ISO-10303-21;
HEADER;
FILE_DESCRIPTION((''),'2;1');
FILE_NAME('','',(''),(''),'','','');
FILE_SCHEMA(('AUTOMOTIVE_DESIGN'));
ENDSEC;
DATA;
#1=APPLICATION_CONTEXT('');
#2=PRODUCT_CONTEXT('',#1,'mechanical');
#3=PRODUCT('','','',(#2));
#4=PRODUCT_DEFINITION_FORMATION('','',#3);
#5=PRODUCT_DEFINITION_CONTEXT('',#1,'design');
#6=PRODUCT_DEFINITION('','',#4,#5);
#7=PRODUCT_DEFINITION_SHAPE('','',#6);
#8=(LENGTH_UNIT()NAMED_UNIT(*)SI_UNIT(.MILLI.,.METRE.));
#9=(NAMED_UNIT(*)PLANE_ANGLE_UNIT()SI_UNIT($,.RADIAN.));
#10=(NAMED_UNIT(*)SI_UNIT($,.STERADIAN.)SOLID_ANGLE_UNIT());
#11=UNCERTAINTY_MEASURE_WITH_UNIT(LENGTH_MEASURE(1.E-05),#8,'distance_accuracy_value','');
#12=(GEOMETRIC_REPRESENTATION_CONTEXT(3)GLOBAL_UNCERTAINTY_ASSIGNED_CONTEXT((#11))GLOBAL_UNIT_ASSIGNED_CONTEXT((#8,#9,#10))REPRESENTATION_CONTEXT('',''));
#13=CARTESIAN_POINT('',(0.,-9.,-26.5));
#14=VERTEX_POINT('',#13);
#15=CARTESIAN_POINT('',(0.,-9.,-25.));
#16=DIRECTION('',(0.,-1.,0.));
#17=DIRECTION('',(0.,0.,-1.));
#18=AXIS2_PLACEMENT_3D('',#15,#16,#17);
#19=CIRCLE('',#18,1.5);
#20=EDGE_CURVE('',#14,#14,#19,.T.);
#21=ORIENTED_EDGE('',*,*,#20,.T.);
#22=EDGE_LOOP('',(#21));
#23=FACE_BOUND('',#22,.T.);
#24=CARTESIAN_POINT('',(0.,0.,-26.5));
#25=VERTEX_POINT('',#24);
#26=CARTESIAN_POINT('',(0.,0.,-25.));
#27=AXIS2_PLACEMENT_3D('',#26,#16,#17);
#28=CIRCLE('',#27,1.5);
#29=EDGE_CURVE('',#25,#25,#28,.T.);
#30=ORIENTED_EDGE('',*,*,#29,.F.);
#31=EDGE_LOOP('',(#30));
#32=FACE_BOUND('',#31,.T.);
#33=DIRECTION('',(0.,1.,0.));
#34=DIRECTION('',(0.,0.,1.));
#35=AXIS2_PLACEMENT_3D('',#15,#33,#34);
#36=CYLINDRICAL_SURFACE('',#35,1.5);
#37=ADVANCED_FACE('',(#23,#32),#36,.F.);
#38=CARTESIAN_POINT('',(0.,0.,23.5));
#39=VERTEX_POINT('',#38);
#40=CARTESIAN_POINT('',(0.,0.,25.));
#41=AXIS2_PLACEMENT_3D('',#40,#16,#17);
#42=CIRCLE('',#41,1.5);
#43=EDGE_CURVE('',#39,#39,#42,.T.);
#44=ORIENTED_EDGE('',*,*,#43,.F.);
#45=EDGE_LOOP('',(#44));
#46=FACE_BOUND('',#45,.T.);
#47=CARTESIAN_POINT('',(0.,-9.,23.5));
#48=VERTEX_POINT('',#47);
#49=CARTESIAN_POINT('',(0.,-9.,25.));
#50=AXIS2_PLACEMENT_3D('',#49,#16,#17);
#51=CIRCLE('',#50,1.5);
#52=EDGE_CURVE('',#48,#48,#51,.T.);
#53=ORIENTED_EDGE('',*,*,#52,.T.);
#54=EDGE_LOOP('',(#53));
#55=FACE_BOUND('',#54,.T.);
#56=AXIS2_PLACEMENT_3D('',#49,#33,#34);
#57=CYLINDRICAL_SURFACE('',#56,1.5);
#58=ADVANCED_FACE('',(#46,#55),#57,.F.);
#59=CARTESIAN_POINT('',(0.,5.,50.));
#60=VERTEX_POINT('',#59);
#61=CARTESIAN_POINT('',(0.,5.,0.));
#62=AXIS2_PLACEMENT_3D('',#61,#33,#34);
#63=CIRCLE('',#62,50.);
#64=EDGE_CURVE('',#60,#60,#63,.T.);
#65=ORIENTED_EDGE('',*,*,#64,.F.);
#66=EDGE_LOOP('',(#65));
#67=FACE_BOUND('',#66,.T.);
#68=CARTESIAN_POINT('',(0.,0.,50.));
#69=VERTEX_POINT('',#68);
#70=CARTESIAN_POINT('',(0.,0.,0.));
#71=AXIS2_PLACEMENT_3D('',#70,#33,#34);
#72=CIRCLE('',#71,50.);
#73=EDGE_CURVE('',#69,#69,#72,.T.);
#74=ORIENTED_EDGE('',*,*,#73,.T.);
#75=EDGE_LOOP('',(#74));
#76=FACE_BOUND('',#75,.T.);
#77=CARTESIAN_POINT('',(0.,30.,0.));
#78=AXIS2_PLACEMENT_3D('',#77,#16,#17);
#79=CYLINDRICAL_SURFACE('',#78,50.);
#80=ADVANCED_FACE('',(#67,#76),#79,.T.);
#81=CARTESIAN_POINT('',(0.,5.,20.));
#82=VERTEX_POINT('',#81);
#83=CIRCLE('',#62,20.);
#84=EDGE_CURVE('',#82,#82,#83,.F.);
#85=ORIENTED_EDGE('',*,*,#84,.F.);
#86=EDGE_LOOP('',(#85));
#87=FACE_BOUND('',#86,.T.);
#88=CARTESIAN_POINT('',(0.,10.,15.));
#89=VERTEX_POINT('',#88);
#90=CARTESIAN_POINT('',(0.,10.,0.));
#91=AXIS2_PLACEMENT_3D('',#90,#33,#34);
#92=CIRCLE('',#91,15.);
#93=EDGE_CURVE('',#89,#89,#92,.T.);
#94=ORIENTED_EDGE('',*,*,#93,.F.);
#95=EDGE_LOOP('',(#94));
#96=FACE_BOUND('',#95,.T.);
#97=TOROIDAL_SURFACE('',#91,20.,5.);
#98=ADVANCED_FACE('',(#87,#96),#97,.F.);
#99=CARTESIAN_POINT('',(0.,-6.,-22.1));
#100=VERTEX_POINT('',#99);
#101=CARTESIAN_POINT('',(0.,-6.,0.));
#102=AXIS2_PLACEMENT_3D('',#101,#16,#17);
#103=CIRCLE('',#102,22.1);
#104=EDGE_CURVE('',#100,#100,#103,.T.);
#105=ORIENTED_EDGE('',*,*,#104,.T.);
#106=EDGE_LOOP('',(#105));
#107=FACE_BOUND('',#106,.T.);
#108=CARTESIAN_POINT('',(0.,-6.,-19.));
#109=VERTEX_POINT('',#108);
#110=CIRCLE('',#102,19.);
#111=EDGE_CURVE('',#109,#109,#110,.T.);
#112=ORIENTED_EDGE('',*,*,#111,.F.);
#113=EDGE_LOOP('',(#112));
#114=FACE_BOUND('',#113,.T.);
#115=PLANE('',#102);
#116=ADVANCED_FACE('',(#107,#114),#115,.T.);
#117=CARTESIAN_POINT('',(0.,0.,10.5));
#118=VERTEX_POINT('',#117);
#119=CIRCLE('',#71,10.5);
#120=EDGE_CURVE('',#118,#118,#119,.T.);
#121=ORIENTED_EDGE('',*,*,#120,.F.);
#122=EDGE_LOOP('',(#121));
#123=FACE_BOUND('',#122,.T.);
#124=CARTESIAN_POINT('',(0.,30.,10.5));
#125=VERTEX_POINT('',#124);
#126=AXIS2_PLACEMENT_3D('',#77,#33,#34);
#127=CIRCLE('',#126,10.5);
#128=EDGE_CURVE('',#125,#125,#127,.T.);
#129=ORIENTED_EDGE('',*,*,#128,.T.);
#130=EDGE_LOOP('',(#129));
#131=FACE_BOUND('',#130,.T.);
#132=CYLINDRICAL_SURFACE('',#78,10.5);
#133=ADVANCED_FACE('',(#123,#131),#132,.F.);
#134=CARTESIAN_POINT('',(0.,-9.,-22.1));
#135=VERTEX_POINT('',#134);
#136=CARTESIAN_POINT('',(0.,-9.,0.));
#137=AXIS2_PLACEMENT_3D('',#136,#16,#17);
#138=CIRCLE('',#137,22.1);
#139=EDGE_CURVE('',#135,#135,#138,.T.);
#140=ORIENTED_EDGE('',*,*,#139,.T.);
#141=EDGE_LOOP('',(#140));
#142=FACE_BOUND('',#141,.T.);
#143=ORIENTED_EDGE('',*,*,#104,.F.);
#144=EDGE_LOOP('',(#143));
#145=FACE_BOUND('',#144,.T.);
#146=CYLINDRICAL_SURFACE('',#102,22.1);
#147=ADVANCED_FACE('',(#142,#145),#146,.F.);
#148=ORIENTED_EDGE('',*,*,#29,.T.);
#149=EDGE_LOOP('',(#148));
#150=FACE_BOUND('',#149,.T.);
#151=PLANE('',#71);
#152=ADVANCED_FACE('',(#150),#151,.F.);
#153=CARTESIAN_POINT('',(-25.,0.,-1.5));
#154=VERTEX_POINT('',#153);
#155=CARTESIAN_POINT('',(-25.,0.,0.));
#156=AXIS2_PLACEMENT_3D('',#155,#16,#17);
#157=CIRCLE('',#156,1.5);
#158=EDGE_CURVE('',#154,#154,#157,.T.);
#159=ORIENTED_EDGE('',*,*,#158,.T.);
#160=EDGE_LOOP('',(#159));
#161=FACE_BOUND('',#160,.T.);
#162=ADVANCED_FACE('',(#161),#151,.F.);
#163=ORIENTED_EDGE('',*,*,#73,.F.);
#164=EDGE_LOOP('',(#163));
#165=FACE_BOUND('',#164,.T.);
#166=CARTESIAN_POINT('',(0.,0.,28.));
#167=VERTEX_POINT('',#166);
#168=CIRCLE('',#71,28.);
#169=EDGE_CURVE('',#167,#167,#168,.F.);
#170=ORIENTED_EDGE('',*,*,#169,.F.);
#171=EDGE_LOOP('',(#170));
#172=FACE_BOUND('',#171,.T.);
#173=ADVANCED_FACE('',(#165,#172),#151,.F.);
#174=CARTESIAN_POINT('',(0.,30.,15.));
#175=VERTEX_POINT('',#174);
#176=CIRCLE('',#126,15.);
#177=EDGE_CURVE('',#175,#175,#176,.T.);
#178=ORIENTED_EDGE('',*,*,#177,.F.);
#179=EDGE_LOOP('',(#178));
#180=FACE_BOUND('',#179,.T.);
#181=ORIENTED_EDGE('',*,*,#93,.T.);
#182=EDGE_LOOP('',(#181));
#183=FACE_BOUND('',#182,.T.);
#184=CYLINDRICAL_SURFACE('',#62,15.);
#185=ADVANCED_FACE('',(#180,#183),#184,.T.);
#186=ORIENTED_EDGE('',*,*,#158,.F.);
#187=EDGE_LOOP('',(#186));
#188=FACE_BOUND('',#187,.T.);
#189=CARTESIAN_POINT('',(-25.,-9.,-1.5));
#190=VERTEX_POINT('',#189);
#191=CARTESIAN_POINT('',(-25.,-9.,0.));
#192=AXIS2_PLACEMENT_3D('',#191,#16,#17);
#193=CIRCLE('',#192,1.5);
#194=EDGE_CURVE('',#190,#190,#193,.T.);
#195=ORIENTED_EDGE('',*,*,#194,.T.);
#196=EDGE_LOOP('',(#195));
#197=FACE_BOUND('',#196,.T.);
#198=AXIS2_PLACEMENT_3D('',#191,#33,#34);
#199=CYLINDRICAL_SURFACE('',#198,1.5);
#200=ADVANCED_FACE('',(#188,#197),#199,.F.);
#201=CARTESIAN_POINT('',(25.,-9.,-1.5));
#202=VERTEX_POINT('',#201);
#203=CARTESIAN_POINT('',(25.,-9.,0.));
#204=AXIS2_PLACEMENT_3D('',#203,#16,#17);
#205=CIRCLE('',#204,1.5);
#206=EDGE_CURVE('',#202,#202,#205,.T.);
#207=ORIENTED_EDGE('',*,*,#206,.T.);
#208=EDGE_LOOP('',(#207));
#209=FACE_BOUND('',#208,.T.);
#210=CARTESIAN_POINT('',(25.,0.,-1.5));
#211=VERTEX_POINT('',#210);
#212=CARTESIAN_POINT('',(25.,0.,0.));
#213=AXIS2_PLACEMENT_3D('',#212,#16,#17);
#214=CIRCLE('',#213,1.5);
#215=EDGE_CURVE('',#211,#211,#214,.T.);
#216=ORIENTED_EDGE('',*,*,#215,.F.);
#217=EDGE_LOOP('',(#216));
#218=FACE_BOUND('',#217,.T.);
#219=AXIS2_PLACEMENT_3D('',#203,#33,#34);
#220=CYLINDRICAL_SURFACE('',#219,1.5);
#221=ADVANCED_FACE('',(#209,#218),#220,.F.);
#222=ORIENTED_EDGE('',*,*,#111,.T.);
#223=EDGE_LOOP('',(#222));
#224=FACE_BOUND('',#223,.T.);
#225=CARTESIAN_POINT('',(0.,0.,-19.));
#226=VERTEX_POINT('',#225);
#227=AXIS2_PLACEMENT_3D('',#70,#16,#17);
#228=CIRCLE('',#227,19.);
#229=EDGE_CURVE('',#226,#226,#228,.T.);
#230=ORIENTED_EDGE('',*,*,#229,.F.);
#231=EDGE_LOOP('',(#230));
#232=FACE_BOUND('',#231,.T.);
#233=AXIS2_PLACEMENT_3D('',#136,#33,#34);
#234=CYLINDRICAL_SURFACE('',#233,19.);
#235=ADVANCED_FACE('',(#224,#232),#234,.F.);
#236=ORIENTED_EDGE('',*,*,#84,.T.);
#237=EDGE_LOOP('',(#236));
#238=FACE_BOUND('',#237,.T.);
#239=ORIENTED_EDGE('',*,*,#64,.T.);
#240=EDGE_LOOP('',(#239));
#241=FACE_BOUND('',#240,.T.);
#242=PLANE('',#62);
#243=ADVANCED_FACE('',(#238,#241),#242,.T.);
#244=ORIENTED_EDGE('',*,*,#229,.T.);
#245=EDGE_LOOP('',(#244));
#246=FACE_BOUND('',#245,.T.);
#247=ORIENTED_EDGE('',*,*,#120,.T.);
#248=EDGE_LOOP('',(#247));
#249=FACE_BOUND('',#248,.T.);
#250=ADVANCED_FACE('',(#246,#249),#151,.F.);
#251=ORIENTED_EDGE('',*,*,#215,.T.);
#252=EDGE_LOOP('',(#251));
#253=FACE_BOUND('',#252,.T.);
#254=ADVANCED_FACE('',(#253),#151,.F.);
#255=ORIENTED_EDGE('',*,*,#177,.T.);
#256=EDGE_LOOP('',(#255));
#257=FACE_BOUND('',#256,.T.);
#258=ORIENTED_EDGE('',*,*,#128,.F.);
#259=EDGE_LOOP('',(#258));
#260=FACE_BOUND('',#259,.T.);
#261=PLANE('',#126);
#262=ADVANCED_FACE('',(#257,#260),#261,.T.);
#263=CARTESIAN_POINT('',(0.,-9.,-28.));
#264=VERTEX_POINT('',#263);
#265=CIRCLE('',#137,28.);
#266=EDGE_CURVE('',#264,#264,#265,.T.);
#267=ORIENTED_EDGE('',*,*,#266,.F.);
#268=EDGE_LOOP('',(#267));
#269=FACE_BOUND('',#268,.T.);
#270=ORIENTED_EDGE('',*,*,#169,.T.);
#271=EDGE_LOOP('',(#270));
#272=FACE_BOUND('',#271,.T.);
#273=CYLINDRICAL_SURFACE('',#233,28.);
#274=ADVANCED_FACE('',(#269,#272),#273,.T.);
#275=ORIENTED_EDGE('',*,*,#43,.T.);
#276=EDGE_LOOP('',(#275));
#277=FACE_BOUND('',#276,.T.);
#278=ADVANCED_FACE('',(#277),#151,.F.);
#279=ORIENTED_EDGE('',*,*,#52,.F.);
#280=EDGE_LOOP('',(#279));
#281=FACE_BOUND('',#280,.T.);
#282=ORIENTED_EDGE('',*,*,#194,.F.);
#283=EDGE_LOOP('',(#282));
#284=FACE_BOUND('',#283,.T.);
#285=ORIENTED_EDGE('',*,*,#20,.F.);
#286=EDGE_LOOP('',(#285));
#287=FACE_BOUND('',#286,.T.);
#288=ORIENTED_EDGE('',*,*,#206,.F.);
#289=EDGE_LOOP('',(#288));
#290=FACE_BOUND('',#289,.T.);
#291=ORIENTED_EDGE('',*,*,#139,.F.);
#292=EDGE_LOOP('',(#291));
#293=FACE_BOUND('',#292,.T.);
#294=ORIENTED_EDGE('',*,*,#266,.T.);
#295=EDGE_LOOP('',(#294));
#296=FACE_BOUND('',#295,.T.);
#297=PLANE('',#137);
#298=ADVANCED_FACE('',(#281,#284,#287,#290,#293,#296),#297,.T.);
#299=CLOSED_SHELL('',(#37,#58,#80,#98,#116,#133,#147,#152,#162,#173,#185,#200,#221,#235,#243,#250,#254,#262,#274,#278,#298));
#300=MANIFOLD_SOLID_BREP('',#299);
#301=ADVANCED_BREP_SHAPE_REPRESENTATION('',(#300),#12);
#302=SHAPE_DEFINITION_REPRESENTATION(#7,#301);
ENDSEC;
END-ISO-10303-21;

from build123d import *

# Parameters (mm, degrees)
SKETCH_1_R          = 50
SKETCH_1_R_2        = 10.5
EXTRUDE_1_DEPTH     = 30
SKETCH_2_R          = 54.511418905
SKETCH_2_R_2        = 15
CUT_EXTRUDE_2_DEPTH = 25
SKETCH_3_R          = 28
SKETCH_3_R_2        = 19
SKETCH_3_R_3        = 1.5
EXTRUDE_3_DEPTH     = 9
SKETCH_4_R          = 22.1
CUT_EXTRUDE_4_DEPTH = 3
FILLET_3_R          = 5


with BuildPart() as part:
    # Эскиз1 → Вытянуть1 (new body)
    with BuildSketch(Plane(origin=(0, 0, 0), x_dir=(1, 0, 0), z_dir=(0, 1, 0))):
        with Locations(Location((0, 0, 0), (0, 0, 270))):
            Circle(SKETCH_1_R)
        with Locations(Location((0, 0, 0), (0, 0, 270))):
            Circle(SKETCH_1_R_2, mode=Mode.SUBTRACT)
    extrude(amount=EXTRUDE_1_DEPTH)

    # Эскиз2 → Вытянуть2 (cut)
    with BuildSketch(Plane(origin=(0, 30, 0), x_dir=(1, 0, 0), z_dir=(0, 1, 0))):
        Circle(SKETCH_2_R)
        with Locations(Location((0, 0, 0), (0, 0, 270))):
            Circle(SKETCH_2_R_2, mode=Mode.SUBTRACT)
    extrude(amount=-CUT_EXTRUDE_2_DEPTH, mode=Mode.SUBTRACT)

    # Эскиз3 → Вытянуть3 (add)
    with BuildSketch(Plane.XZ):
        with Locations(Location((0, 0, 0), (0, 0, 90))):
            Circle(SKETCH_3_R)
        with Locations(Location((0, 0, 0), (0, 0, 270))):
            Circle(SKETCH_3_R_2, mode=Mode.SUBTRACT)
        with Locations(Location((0, 25, 0), (0, 0, 270))):
            Circle(SKETCH_3_R_3, mode=Mode.SUBTRACT)
        with Locations(Location((25, 0, 0), (0, 0, 270))):
            Circle(SKETCH_3_R_3, mode=Mode.SUBTRACT)
        with Locations(Location((0, -25, 0), (0, 0, 270))):
            Circle(SKETCH_3_R_3, mode=Mode.SUBTRACT)
        with Locations(Location((-25, 0, 0), (0, 0, 270))):
            Circle(SKETCH_3_R_3, mode=Mode.SUBTRACT)
    extrude(amount=EXTRUDE_3_DEPTH)

    # Эскиз4 → Вытянуть4 (cut)
    with BuildSketch(Plane.XZ.offset(9)):
        with Locations(Location((0, 0, 0), (0, 0, 270))):
            Circle(SKETCH_4_R)
    extrude(amount=-CUT_EXTRUDE_4_DEPTH, mode=Mode.SUBTRACT)

    # Скругление3
    fillet_3_edges = [part.edges().sort_by_distance(p)[0] for p in [
        (0, 5, -15),
    ]]
    fillet(fillet_3_edges, radius=FILLET_3_R)


solid = part.part
